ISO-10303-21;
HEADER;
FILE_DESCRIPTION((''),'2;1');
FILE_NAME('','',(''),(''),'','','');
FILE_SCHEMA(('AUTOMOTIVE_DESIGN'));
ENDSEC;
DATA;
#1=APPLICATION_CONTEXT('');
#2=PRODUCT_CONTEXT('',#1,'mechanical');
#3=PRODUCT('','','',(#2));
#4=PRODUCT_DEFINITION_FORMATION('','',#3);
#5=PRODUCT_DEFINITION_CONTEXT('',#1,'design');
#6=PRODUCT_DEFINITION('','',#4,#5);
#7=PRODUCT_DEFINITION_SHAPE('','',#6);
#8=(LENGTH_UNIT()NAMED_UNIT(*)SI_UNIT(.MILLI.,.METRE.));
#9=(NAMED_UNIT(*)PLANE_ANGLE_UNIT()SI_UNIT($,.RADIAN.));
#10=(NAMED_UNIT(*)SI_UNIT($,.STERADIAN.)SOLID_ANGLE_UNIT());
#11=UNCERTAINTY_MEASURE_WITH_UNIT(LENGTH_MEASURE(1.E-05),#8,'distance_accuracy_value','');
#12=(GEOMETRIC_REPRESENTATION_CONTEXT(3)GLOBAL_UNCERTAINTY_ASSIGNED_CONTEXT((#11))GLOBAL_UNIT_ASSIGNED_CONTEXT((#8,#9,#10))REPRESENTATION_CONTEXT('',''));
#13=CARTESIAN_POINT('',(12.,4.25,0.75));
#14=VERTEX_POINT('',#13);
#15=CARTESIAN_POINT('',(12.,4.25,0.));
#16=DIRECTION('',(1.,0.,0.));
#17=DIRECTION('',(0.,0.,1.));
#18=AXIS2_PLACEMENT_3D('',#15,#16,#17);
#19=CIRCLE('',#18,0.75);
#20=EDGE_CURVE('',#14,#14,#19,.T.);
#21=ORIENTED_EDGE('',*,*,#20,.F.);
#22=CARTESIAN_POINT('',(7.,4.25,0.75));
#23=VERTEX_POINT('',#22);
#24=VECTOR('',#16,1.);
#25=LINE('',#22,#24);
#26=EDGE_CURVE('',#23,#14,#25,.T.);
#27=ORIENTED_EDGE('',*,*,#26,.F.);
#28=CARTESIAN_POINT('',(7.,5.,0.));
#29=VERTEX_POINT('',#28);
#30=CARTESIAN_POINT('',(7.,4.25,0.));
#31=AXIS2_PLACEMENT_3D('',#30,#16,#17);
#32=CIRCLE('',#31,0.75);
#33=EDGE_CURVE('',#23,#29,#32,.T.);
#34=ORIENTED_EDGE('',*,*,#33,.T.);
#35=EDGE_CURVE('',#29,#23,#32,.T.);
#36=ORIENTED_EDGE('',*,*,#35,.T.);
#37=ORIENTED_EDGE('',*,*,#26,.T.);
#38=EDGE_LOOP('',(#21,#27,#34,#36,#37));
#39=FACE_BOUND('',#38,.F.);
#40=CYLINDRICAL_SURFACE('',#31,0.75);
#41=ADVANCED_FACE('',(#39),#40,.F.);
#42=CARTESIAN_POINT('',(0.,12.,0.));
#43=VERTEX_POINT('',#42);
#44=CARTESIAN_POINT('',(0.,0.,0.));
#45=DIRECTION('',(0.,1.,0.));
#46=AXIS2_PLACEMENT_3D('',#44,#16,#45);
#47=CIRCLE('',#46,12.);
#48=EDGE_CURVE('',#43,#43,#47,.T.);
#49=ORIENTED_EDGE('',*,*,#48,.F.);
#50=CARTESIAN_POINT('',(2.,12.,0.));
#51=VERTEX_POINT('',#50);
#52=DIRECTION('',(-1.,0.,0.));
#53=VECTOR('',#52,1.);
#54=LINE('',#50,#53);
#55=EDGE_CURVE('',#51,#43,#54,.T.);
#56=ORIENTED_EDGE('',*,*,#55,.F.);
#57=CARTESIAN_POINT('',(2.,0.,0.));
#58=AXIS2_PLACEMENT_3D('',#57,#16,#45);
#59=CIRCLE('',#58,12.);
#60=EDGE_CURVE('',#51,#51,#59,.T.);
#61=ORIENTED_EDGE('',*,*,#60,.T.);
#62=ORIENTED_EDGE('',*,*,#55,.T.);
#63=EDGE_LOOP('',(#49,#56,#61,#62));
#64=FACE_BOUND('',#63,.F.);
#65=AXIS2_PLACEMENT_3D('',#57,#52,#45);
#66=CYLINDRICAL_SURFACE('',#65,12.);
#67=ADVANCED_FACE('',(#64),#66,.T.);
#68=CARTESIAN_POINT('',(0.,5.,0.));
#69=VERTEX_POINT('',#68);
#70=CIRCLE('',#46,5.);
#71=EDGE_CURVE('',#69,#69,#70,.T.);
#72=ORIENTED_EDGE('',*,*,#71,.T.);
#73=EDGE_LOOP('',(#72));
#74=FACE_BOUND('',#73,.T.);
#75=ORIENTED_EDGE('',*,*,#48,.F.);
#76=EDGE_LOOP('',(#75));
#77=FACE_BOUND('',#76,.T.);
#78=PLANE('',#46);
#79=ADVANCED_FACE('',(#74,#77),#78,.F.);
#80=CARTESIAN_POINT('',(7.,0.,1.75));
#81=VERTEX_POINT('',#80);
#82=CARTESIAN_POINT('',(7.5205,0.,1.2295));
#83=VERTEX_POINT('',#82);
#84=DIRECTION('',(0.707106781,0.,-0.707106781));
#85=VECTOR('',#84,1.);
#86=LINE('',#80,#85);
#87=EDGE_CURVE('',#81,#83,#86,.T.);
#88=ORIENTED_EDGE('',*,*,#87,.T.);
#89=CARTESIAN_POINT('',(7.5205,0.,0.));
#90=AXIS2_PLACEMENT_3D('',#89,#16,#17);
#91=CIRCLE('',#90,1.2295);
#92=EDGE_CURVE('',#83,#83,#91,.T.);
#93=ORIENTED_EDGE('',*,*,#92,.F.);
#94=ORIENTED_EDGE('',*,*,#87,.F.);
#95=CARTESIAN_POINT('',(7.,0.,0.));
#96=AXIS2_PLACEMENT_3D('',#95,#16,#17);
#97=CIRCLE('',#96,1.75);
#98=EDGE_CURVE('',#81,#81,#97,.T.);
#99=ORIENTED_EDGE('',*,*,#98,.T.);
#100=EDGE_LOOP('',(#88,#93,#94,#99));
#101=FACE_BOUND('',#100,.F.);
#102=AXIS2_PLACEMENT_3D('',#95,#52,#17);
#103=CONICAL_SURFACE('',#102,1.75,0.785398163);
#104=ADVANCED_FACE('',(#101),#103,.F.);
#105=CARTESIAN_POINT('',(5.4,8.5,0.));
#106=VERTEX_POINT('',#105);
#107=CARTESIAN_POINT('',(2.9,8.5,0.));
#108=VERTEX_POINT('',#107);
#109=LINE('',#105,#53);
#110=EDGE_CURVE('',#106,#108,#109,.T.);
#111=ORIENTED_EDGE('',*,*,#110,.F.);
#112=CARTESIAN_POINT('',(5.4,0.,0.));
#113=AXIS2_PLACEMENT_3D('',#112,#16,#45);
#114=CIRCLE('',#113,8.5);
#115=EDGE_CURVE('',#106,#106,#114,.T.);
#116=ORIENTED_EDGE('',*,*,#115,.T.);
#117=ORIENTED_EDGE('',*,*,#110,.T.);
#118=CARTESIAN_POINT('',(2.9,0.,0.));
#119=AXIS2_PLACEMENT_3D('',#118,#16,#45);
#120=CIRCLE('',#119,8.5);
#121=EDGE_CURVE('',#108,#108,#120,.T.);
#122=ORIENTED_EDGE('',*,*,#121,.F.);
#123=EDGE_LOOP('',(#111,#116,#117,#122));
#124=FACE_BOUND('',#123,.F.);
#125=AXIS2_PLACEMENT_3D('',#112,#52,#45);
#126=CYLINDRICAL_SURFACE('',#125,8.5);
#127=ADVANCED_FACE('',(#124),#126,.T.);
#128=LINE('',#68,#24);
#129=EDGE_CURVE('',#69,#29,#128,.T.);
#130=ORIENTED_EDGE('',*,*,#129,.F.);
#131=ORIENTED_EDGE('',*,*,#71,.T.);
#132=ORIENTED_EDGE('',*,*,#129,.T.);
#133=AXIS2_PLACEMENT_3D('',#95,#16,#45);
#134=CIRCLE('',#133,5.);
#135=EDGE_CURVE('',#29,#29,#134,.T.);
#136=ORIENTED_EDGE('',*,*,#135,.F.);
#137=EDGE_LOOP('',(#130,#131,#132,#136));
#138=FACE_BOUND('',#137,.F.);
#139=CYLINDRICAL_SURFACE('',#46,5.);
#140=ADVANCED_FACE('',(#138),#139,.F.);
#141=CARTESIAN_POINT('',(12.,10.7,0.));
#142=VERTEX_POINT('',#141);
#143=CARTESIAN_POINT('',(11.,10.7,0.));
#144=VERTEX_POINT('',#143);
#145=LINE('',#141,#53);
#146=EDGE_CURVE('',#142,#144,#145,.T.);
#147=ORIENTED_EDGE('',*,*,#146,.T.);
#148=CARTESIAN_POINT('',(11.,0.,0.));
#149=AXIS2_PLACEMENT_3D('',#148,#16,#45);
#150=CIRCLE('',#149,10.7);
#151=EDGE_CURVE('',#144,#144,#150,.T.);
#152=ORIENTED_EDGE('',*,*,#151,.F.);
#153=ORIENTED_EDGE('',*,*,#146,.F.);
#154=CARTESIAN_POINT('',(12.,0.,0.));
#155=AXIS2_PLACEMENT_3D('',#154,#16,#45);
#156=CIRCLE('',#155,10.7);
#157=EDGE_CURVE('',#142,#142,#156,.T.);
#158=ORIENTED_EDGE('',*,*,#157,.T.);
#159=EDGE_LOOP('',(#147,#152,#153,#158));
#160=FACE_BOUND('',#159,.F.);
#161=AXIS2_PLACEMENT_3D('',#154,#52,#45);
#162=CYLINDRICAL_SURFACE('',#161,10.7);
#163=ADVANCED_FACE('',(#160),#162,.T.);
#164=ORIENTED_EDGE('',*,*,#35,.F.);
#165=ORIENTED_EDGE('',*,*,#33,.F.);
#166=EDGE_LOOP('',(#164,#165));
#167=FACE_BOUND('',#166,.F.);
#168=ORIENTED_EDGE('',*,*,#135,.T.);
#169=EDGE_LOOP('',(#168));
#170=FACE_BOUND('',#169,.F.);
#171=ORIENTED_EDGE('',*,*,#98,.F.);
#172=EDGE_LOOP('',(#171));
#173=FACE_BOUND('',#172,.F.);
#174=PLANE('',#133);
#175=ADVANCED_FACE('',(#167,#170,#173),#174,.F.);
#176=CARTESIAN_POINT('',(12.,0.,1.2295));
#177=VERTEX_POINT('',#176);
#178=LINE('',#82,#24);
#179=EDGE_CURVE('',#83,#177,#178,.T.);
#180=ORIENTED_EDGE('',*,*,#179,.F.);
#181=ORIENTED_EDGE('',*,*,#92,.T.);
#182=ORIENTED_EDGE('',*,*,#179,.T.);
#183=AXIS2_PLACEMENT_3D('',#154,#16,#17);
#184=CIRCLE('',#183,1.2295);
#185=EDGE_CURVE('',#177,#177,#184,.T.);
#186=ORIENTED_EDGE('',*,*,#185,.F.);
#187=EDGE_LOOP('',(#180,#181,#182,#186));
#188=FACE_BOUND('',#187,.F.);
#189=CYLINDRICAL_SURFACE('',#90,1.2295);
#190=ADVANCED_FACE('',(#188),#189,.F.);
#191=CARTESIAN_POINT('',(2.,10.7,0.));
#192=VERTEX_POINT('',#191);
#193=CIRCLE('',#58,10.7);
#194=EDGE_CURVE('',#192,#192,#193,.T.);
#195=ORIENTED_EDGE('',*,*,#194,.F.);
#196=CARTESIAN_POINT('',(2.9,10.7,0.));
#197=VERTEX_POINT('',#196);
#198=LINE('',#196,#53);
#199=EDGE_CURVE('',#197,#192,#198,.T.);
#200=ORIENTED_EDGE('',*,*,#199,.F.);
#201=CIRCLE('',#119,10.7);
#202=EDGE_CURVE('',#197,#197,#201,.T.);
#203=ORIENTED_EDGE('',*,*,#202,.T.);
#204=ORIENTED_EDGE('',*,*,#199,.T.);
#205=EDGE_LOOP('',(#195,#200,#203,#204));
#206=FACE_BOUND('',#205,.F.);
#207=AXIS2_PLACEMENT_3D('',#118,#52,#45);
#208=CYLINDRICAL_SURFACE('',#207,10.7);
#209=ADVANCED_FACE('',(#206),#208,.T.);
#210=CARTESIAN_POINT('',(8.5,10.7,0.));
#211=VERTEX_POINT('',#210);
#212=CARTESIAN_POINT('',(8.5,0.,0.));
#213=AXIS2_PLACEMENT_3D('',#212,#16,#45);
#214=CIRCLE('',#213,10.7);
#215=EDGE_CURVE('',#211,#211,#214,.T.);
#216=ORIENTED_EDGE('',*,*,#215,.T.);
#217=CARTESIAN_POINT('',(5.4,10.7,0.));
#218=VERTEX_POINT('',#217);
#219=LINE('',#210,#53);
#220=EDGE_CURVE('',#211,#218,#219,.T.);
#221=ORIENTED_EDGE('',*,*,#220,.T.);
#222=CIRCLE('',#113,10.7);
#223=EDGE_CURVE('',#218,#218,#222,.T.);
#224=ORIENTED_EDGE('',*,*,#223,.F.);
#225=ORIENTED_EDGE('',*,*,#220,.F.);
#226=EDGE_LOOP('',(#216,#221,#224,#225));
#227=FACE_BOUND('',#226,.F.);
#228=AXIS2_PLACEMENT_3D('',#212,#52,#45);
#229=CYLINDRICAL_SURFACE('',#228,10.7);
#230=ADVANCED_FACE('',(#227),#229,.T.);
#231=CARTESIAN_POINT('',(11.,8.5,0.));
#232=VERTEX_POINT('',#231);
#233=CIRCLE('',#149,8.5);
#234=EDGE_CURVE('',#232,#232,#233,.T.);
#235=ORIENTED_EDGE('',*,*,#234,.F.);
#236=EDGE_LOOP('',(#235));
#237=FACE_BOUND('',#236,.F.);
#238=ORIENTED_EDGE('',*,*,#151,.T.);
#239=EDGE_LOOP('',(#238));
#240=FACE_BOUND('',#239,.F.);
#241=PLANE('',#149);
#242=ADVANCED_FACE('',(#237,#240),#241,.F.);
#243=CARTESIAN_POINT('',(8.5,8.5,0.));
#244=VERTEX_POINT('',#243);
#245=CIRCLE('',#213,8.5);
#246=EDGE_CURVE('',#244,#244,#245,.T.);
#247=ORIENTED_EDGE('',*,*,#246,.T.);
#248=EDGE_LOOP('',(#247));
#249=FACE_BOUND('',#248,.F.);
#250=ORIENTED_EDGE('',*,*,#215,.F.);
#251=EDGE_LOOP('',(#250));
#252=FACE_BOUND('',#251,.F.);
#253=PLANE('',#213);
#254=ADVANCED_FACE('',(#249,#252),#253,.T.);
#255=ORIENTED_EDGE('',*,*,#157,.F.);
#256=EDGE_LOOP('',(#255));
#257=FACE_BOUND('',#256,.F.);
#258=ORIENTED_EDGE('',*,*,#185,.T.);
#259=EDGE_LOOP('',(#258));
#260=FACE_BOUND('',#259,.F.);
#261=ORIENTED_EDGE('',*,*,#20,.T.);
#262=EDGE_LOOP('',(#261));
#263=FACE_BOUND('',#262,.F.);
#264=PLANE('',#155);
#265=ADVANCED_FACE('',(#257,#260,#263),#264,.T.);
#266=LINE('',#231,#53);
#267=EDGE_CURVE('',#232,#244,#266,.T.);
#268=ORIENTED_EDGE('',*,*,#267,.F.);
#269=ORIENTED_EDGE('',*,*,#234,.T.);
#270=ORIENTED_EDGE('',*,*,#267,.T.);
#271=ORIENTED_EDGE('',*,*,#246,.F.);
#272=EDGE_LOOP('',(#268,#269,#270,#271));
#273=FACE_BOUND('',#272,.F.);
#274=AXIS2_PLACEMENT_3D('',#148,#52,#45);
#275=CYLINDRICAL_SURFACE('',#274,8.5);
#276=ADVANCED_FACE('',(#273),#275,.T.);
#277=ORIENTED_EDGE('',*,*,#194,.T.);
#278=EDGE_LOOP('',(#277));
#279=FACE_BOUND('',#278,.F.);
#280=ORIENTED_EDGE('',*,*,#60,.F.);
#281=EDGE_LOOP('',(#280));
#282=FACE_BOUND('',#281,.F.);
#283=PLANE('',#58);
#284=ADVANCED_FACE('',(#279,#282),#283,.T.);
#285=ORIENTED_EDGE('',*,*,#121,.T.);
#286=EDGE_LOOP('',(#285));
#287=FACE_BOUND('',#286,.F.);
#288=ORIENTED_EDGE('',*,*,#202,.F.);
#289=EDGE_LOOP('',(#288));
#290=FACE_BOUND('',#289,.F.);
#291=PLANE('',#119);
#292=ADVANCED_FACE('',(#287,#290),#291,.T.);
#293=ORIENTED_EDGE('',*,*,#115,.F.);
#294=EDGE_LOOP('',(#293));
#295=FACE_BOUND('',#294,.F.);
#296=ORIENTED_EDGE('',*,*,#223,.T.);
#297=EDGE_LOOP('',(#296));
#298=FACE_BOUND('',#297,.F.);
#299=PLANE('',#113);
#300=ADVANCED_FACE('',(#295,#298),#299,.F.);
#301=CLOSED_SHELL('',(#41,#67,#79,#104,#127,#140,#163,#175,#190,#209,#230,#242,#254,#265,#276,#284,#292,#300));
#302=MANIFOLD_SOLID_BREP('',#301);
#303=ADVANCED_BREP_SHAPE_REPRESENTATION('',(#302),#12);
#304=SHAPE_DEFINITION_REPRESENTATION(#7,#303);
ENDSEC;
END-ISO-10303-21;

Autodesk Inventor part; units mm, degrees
ref_plane "YZ Plane" through (0, 0, 0) normal (1, 0, 0) x (0, 1, 0)
ref_plane "XZ Plane" through (0, 0, 0) normal (0, 1, 0) x (-1, 0, 0)
ref_plane "XY Plane" through (0, 0, 0) normal (0, 0, 1) x (1, 0, 0)
sketch "Skizze1" plane through (0, 0, 0) normal (0, 0, 1) x (1, 0, 0)
  line L0 (-2.4, 0) -> (14.4, 0) projected
  line L1 (0, -2.4) -> (0, 14.4) projected
  line L2 (0, 5) -> (7, 5)
  line L3 (7, 5) -> (7, 0)
  line L4 (7, 0) -> (12, 0)
  line L5 (12, 0) -> (12, 10.7)
  line L6 (12, 10.7) -> (11, 10.7)
  line L7 (11, 10.7) -> (11, 8.5)
  line L8 (11, 8.5) -> (8.5, 8.5)
  line L9 (8.5, 8.5) -> (8.5, 10.7)
  line L10 (8.5, 10.7) -> (5.4, 10.7)
  line L11 (5.4, 10.7) -> (5.4, 8.5)
  line L12 (5.4, 8.5) -> (2.9, 8.5)
  line L13 (2.9, 8.5) -> (2.9, 10.7)
  line L14 (2.9, 10.7) -> (2, 10.7)
  line L15 (2, 10.7) -> (2, 12)
  line L16 (2, 12) -> (0, 12)
  line L17 (0, 12) -> (0, 5)
  point P0 (0, 0)
  dimension "d0" = 24
  dimension "d1" = 10
  dimension "d2" = 17
  dimension "d3" = 21.4
  dimension "d4" = 2.5
  dimension "d5" = 2.5
  dimension "d7" = 1
  dimension "d8" = 6.6
  dimension "d9" = 12
  dimension "d11" = 10
  dimension "d12" = 7
revolve "Umdrehung1" add sketch "Skizze1" angle 360 about axis through (-10, 0, 0) along (1, 0, 0) contours L3 L2 L1 L16 L15 L14 L13 L12 L11 L10 L9 L8 L7 L6 L5 L0
sketch "Skizze2" plane through (7, 0, 0) normal (-1, 0, 0) x (0, 0, 1)
  point P0 (0, 0)
  point P1 (0, 0)
hole "Bohrung1" at (7, 0, 0) direction (1, 0, 0) diameter 2.459 end through all countersink diameter 3.5 countersink angle 90 thread size "M3x0.5" class "6H" standard "ISO Metric profile"
sketch "Skizze3" plane through (7, 0, 0) normal (-1, 0, 0) x (0, 0, 1)
  line L0 (-16.8, 0) -> (16.8, 0) projected
  line L1 (0, -16.8) -> (0, 16.8) projected
  circle A0 centre (0, 0) radius 5 projected
  point P0 (0, 4.25)
  dimension "d21" = 4.25
hole "Bohrung2" at (7, 4.25, 0) direction (1, 0, 0) diameter 1.5 end through all
properties part number "Innenflansch"
